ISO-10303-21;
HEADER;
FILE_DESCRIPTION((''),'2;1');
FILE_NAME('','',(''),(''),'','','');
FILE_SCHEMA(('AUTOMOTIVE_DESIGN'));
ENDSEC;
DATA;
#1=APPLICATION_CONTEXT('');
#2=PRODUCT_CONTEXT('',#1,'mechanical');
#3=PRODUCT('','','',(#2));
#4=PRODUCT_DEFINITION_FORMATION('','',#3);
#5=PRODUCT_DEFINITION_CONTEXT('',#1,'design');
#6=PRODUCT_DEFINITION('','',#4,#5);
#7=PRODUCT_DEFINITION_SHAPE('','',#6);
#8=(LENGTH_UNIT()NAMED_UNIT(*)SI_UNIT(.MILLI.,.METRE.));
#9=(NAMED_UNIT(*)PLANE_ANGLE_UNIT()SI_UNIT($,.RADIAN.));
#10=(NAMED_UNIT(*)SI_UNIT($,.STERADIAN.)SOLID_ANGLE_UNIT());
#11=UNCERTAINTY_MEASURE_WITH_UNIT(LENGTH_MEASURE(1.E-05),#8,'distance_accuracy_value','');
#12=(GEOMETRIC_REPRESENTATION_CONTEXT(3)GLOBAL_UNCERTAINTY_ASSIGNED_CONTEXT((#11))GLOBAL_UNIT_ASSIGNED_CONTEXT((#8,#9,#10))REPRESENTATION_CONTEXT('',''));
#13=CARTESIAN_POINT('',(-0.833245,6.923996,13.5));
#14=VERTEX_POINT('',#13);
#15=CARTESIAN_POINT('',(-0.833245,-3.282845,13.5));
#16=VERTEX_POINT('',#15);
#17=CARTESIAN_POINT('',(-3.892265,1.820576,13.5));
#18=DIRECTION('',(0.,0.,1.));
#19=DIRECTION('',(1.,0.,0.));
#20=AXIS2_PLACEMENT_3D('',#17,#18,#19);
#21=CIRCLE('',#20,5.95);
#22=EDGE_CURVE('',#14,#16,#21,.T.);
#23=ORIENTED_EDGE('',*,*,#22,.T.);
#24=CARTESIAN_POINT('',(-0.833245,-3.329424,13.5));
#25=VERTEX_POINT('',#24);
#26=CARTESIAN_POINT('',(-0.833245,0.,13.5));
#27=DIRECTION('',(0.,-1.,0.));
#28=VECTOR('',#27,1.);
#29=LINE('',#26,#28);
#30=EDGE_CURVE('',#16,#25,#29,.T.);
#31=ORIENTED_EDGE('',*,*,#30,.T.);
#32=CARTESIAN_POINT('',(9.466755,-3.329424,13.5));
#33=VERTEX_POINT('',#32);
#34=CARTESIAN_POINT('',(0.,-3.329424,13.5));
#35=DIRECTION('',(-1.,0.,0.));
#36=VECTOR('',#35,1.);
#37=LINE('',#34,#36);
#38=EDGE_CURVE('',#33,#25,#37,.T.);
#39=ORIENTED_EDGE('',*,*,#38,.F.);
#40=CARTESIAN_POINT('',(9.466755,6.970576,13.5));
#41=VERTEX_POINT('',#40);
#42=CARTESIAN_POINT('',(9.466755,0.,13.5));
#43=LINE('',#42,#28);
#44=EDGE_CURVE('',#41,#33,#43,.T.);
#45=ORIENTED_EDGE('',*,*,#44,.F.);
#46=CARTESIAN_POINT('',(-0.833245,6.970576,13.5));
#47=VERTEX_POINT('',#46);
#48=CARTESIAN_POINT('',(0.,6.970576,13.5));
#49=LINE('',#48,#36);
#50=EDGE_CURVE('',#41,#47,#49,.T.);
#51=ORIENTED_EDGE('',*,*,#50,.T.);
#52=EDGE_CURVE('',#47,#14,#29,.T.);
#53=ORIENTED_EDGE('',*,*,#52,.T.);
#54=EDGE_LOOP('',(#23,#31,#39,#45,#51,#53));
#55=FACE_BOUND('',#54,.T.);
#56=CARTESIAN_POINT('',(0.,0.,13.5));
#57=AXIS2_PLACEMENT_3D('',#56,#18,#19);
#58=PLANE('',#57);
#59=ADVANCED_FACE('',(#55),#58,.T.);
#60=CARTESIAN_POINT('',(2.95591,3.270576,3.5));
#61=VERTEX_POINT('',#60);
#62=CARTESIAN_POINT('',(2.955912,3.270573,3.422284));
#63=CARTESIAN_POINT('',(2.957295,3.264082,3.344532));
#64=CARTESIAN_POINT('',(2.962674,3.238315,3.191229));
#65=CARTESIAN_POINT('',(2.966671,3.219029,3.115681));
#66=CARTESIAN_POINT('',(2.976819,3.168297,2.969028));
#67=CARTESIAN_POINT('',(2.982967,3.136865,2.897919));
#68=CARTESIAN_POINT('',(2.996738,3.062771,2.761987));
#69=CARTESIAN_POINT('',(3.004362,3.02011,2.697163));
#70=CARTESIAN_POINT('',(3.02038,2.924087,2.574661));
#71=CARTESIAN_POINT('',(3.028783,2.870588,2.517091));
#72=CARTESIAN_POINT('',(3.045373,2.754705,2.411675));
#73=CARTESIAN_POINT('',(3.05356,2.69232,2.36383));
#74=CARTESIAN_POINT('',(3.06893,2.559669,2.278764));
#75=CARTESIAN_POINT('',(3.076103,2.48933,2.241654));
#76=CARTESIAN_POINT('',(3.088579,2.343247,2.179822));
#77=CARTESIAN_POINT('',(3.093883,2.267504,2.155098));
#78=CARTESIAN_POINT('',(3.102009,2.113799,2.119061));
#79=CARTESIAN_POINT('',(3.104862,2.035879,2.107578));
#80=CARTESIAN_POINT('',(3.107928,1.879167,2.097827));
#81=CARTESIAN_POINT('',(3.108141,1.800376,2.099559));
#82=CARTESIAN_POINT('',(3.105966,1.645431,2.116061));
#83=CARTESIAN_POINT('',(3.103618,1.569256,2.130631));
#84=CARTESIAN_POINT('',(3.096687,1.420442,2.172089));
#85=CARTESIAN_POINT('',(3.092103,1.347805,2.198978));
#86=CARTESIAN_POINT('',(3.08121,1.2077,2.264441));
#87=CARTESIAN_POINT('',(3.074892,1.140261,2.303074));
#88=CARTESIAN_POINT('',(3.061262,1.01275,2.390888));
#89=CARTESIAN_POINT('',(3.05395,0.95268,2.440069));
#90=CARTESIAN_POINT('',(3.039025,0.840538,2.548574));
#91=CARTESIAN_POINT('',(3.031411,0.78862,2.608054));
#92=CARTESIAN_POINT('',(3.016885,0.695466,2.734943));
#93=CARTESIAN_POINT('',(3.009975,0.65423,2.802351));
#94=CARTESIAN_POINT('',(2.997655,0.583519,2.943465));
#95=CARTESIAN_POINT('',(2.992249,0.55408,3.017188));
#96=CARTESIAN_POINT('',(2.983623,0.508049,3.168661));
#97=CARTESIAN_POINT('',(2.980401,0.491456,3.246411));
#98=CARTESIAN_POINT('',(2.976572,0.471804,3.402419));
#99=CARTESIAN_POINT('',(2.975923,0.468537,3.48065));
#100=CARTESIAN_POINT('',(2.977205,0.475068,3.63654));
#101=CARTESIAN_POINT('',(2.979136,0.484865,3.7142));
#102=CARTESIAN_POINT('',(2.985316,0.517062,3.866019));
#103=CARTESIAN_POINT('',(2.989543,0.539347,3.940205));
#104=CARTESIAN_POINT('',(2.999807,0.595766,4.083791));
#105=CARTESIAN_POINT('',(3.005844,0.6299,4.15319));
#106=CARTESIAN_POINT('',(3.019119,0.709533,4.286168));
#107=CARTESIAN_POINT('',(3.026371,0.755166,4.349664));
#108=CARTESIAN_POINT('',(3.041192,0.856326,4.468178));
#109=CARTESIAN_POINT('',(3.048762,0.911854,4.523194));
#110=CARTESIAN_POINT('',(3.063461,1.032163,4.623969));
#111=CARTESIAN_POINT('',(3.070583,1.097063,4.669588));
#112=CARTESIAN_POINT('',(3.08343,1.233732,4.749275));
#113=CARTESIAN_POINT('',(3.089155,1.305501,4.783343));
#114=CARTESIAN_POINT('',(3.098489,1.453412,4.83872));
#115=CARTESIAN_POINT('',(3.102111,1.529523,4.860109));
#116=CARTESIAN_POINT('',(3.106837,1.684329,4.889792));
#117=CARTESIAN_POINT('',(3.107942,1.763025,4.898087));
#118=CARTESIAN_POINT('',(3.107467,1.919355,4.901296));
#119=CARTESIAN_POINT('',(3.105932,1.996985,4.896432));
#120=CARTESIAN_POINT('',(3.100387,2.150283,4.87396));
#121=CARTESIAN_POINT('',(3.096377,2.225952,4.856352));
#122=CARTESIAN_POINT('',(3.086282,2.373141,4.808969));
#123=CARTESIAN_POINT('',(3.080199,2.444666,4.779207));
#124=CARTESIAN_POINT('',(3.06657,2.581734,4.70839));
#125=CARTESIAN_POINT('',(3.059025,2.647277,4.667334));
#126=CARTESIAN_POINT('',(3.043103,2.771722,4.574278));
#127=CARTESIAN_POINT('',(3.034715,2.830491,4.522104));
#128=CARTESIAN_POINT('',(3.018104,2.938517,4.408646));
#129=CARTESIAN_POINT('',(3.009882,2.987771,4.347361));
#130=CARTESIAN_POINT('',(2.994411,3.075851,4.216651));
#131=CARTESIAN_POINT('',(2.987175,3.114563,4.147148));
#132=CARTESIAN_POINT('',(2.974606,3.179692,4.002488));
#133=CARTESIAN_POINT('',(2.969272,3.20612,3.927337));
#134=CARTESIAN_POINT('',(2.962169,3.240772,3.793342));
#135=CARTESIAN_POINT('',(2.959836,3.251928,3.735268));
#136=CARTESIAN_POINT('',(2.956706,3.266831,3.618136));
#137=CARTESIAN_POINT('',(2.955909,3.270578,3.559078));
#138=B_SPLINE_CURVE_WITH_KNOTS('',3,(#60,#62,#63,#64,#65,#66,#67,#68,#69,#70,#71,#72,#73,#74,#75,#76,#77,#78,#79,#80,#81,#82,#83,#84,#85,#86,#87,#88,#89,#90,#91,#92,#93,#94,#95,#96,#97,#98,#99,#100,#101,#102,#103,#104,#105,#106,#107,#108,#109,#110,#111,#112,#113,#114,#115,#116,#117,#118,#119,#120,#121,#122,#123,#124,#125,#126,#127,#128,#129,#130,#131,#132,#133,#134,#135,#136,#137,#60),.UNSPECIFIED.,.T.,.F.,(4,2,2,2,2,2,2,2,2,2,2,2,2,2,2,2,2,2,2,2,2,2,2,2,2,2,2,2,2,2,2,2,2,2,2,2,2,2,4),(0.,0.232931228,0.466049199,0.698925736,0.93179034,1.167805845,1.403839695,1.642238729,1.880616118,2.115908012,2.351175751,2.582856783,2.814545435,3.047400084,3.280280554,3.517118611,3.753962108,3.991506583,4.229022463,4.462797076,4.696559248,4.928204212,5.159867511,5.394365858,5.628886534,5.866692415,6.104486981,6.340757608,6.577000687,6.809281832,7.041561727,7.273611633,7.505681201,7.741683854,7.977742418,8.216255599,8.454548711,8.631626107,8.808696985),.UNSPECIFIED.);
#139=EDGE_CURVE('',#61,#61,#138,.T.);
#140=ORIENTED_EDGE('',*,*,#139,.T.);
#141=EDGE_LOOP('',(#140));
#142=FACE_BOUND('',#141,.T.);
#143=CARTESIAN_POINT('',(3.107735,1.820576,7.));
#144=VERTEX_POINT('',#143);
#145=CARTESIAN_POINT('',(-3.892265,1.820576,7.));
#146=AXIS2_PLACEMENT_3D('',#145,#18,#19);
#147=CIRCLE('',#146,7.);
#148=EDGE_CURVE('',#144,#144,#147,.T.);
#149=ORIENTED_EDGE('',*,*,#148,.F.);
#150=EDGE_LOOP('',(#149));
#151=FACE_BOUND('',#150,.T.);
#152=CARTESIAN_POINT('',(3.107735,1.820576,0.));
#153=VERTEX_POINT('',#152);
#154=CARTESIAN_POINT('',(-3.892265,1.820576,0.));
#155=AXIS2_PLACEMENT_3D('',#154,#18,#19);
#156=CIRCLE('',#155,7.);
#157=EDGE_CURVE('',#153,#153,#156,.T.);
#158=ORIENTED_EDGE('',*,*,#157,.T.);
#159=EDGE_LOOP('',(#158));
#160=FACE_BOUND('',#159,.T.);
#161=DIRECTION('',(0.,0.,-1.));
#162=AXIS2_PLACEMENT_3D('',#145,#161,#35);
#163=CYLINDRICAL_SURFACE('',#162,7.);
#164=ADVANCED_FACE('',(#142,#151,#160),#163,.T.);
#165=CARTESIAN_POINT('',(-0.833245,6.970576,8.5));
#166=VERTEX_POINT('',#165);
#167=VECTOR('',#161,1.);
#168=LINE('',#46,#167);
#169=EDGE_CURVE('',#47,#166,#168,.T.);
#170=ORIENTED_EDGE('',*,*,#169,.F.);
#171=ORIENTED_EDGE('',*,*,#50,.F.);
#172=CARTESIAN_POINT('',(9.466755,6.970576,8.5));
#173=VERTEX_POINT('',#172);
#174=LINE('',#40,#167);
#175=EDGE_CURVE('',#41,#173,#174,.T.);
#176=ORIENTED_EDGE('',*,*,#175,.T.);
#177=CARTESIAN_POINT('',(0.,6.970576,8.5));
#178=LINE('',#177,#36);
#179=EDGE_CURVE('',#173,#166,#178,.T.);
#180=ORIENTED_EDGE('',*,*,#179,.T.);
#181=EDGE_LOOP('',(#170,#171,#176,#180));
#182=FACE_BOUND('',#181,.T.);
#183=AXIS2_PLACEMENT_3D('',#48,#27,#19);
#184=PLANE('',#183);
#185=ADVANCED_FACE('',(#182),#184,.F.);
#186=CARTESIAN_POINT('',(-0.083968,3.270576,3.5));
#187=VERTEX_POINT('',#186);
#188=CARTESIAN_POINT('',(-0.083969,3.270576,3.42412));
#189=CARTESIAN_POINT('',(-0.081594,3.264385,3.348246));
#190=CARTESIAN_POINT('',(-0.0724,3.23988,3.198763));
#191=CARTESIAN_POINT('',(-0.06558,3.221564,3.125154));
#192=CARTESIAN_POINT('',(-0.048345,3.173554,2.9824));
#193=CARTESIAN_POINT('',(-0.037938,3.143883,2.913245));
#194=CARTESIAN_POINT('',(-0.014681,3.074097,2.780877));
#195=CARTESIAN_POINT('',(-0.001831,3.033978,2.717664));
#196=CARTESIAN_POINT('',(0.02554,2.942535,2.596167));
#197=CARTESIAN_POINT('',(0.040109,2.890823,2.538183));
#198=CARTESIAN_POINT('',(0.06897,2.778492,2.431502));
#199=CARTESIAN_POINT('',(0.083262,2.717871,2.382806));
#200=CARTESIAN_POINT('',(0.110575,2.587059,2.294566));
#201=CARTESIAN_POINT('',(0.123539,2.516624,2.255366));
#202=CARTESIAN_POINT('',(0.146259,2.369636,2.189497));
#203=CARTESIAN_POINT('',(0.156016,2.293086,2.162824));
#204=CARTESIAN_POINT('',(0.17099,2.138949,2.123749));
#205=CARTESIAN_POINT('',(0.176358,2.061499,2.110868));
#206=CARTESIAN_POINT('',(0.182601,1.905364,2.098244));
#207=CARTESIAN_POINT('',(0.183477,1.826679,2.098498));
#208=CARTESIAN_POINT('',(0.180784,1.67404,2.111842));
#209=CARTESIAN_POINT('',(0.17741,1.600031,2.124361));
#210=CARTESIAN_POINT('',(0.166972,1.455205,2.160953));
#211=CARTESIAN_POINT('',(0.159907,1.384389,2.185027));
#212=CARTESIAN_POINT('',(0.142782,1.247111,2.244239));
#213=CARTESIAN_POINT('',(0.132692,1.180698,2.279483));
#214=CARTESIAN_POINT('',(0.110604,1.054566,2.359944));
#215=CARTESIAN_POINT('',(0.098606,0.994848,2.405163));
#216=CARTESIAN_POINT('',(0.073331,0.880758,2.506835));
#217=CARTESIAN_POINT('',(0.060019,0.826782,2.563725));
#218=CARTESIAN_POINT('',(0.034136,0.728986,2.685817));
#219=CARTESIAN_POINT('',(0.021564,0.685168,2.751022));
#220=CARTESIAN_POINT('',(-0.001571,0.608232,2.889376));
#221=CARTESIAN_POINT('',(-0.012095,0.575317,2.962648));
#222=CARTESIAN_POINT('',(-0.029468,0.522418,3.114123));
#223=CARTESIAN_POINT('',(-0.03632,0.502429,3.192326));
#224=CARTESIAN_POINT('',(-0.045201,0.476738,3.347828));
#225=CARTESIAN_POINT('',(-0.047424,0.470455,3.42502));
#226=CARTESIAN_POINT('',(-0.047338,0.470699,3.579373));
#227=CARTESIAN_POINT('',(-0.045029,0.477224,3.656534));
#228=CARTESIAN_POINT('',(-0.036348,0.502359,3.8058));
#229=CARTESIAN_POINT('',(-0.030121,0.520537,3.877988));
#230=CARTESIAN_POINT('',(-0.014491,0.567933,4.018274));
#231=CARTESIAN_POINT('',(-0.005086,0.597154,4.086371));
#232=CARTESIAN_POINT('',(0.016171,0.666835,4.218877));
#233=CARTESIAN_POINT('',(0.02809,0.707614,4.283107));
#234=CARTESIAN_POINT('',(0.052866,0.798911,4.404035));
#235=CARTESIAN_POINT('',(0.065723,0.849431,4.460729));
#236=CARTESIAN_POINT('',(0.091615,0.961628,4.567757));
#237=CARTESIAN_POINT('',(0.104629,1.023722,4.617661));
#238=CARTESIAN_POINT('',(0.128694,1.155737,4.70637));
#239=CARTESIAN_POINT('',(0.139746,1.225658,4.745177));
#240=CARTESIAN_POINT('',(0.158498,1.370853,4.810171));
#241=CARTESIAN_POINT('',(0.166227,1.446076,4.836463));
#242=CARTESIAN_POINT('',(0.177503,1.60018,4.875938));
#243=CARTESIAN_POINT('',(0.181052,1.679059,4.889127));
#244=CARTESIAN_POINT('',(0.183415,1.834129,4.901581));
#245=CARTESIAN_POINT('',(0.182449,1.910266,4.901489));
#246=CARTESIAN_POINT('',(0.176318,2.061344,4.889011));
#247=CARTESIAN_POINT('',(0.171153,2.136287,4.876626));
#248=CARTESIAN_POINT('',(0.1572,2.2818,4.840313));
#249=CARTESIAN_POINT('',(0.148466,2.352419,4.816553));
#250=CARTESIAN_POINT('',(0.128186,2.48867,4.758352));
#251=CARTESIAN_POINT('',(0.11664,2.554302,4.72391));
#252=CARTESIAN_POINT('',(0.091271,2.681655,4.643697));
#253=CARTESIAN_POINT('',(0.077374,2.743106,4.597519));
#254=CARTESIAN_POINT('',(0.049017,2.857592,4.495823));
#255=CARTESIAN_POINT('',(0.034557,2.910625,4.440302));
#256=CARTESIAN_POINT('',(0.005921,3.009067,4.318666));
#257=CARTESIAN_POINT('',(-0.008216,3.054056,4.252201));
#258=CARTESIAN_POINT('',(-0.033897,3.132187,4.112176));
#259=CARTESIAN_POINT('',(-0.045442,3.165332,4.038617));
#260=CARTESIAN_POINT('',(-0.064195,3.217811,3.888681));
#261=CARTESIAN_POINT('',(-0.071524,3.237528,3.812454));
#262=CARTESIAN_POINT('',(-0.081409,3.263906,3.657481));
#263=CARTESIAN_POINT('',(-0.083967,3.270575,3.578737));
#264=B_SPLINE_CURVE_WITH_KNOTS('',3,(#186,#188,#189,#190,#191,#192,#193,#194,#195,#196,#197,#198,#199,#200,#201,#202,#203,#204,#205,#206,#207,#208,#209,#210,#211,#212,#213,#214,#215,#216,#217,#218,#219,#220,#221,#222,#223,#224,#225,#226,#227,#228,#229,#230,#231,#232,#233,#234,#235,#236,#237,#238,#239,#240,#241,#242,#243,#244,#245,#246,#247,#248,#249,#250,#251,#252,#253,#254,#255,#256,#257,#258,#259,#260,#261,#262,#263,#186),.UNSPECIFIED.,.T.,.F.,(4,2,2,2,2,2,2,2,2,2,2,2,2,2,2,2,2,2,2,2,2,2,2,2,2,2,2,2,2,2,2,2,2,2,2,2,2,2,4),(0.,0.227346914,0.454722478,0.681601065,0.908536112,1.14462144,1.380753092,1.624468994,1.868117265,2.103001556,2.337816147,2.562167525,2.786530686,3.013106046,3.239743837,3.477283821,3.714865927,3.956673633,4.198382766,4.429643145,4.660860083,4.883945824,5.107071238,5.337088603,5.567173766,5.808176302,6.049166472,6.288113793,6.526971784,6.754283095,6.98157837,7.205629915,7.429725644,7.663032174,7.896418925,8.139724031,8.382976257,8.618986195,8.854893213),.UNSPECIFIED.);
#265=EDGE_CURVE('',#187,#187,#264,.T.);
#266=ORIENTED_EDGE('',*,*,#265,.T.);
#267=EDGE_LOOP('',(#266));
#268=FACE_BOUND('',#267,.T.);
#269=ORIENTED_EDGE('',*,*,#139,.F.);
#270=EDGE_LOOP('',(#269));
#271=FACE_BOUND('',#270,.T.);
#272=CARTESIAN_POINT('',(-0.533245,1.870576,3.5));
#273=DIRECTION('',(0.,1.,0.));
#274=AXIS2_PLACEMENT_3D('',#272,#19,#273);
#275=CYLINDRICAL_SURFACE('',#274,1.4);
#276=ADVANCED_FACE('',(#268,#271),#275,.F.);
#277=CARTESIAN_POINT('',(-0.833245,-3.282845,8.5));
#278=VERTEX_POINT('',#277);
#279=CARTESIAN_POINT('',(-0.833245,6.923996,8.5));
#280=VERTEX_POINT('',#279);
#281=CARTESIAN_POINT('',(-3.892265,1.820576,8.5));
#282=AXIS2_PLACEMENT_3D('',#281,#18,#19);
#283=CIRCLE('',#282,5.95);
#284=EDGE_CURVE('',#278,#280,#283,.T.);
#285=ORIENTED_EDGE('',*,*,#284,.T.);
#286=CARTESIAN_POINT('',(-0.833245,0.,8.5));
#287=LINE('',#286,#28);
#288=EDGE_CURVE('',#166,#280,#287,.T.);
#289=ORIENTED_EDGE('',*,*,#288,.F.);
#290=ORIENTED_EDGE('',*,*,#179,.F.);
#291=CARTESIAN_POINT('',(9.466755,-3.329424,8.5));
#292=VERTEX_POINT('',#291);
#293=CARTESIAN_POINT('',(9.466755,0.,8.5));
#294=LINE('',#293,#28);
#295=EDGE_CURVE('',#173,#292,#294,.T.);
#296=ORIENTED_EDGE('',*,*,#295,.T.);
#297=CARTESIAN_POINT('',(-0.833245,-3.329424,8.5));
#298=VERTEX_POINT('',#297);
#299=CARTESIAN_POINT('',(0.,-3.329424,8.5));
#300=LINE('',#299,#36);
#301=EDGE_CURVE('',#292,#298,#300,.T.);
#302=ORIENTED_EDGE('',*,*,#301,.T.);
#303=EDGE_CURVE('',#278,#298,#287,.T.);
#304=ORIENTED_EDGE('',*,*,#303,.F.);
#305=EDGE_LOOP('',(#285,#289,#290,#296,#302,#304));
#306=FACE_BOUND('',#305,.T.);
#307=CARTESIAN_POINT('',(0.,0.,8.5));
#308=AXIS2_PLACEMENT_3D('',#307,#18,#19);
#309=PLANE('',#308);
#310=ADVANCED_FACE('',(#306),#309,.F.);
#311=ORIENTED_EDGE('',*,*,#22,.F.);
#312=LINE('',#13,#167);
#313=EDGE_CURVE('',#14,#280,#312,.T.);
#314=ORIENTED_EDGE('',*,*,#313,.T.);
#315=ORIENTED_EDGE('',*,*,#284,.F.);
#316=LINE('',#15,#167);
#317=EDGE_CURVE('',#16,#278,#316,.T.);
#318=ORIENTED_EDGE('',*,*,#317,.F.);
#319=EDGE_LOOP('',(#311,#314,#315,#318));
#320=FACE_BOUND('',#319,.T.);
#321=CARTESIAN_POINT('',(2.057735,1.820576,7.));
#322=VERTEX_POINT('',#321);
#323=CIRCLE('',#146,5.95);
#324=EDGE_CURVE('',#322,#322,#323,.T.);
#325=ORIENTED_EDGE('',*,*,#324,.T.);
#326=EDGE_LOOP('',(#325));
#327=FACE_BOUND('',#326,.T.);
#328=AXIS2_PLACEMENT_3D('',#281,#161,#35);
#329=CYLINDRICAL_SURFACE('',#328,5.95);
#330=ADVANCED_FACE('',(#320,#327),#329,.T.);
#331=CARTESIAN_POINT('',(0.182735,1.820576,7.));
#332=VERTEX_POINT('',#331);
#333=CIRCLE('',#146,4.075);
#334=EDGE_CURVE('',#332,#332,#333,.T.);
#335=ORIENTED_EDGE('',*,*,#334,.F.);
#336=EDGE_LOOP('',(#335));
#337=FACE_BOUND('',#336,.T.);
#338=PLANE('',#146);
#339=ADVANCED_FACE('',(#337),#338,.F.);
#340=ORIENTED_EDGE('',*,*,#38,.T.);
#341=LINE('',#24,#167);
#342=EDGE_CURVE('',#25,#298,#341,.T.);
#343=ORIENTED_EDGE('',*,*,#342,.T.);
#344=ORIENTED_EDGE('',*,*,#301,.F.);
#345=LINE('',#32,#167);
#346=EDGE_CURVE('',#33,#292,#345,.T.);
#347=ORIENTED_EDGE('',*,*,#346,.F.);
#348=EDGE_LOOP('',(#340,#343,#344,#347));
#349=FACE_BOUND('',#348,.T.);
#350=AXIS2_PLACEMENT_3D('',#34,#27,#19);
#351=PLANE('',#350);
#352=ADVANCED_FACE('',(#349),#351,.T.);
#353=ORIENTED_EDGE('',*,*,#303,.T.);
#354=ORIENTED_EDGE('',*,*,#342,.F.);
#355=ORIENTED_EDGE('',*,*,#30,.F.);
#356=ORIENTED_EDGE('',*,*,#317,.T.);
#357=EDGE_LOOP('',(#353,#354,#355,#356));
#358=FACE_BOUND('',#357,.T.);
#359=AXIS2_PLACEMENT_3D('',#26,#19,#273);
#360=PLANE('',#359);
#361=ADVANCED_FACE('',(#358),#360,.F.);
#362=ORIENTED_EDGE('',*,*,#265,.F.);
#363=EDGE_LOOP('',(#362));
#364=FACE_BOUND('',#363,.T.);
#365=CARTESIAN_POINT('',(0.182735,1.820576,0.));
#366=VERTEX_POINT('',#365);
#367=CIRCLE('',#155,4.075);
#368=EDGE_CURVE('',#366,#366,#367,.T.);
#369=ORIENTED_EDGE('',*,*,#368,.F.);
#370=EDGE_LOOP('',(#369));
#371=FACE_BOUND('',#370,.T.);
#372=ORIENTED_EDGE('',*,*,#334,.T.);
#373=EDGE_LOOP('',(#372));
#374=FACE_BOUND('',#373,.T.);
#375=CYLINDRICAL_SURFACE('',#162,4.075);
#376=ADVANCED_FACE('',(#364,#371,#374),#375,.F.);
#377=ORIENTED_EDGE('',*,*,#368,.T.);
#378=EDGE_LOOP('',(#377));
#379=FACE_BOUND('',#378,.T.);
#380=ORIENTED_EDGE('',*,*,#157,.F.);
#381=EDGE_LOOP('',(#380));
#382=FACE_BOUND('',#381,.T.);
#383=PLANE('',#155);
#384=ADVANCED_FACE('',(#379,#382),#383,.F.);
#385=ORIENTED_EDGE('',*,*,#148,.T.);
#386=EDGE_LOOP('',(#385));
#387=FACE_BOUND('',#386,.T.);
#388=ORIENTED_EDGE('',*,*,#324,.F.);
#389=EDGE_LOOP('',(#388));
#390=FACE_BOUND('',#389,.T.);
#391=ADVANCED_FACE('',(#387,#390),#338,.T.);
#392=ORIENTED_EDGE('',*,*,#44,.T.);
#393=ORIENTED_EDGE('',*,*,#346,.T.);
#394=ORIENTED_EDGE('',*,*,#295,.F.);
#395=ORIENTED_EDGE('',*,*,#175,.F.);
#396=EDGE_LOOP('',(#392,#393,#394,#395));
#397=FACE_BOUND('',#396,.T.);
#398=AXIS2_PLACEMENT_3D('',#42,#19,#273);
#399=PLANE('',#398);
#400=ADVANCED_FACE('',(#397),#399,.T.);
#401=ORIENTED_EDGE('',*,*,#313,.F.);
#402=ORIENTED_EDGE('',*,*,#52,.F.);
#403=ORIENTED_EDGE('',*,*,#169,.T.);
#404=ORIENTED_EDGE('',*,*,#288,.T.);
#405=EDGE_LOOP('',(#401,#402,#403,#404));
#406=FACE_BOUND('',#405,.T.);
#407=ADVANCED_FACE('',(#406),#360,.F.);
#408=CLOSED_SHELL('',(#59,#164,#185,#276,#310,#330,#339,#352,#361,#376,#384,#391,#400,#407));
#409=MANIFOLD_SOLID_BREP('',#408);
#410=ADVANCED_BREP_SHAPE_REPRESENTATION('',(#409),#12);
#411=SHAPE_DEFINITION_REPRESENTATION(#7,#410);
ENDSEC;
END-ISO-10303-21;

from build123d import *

# Parameters (mm, degrees)
SKETCH1_R           = 7
SKETCH1_R_2         = 4.075
BOSS_EXTRUDE1_DEPTH = 7
SKETCH2_R           = 5.95
BOSS_EXTRUDE2_DEPTH = 1.5
SKETCH3_R           = 5.95
SKETCH3_W           = 10.3
SKETCH3_H           = 10.3
BOSS_EXTRUDE3_DEPTH = 5
SKETCH4_R           = 1.4
CUT_EXTRUDE2_DEPTH  = 10


with BuildPart() as part:
    # Sketch1 → Boss-Extrude1 (new body)
    with BuildSketch(Plane.XY):
        with Locations((-3.892264878, 1.820575507)):
            Circle(SKETCH1_R)
        with Locations((-3.892264878, 1.820575507)):
            Circle(SKETCH1_R_2, mode=Mode.SUBTRACT)
    extrude(amount=BOSS_EXTRUDE1_DEPTH)

    # Sketch2 → Boss-Extrude2 (add)
    with BuildSketch(Plane.XY.offset(7)):
        with Locations((-3.892264878, 1.820575507)):
            Circle(SKETCH2_R)
    extrude(amount=BOSS_EXTRUDE2_DEPTH)

    # Sketch3 → Boss-Extrude3 (add)
    with BuildSketch(Plane.XY.offset(8.5)):
        with Locations((-3.892264878, 1.820575507)):
            Circle(SKETCH3_R)
        with Locations((4.316754573, 1.820575507)):
            Rectangle(SKETCH3_W, SKETCH3_H)
    extrude(amount=BOSS_EXTRUDE3_DEPTH)

    # Sketch4 → Cut-Extrude2 (cut)
    with BuildSketch(Plane(origin=(9.466754573, 0, 0), x_dir=(0, 0, -1), z_dir=(1, 0, 0))):
        with Locations((-3.5, 1.870575507)):
            Circle(SKETCH4_R)
    extrude(amount=-CUT_EXTRUDE2_DEPTH, mode=Mode.SUBTRACT)


solid = part.part
